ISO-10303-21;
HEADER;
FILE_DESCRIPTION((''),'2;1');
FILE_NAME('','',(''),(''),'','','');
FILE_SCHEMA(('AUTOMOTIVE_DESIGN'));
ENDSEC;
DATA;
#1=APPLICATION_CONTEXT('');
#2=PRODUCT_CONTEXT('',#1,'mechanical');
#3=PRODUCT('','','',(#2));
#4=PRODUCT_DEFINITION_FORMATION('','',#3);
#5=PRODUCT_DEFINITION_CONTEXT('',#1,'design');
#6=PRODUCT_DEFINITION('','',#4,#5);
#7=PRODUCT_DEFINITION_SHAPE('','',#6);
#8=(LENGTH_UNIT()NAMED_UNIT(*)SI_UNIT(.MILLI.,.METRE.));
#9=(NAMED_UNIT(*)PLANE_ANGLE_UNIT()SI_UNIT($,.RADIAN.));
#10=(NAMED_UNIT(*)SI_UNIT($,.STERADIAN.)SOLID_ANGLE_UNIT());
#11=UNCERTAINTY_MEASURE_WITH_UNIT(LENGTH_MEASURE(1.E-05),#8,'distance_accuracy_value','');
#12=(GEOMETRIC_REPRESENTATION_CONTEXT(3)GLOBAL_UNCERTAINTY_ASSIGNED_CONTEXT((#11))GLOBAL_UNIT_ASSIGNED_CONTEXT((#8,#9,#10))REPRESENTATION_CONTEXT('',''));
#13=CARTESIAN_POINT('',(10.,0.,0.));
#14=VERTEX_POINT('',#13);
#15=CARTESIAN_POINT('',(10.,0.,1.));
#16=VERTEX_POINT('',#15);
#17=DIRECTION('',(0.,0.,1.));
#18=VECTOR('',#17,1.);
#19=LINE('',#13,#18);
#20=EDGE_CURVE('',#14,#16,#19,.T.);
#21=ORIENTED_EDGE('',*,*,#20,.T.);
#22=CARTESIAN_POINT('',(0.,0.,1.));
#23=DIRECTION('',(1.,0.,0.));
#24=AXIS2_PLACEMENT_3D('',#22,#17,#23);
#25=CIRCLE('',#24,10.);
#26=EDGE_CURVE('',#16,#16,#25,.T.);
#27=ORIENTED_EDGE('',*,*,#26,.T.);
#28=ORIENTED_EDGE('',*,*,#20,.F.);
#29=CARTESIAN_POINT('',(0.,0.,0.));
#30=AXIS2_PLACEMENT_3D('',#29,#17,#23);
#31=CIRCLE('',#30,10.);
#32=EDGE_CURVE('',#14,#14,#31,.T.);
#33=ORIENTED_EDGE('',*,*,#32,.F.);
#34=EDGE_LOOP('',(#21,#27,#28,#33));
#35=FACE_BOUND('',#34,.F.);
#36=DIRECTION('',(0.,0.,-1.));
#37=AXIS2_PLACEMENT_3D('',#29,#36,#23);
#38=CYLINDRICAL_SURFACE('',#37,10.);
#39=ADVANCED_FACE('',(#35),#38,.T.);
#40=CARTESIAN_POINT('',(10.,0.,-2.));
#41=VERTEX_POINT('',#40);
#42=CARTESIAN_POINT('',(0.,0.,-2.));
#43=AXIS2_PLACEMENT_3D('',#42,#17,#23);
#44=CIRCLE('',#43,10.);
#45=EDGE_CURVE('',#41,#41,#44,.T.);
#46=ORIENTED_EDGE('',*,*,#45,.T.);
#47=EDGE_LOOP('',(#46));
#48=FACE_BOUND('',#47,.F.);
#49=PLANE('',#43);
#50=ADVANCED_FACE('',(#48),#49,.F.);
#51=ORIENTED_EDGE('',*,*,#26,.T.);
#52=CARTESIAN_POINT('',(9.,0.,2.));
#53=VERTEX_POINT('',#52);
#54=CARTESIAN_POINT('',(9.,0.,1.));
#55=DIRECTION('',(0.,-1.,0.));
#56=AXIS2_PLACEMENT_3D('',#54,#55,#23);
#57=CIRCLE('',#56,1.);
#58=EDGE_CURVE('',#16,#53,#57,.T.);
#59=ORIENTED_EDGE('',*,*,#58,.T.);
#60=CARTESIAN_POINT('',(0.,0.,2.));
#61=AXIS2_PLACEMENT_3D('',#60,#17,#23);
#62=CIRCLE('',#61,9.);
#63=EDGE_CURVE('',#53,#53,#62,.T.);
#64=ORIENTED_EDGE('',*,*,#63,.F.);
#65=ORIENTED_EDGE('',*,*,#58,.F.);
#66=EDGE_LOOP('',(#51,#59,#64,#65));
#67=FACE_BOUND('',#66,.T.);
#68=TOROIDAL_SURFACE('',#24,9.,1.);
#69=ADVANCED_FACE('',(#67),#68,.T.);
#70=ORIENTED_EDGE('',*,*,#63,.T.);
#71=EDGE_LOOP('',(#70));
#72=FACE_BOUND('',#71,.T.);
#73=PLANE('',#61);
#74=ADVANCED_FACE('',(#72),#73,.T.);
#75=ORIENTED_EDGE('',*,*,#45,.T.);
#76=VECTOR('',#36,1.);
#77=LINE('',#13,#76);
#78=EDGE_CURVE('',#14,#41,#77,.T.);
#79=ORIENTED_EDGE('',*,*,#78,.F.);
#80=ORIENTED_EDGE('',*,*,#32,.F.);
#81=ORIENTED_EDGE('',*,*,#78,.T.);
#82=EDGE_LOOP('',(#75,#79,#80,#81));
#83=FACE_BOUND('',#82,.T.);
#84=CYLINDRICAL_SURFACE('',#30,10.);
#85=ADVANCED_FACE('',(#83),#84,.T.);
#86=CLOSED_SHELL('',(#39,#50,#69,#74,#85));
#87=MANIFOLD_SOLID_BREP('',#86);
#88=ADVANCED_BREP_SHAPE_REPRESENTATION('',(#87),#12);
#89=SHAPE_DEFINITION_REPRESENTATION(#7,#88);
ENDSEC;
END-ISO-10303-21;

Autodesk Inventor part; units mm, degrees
ref_plane "YZ Plane" through (0, 0, 0) normal (1, 0, 0) x (0, 1, 0)
ref_plane "XZ Plane" through (0, 0, 0) normal (0, 1, 0) x (-1, 0, 0)
ref_plane "XY Plane" through (0, 0, 0) normal (0, 0, 1) x (1, 0, 0)
sketch "Sketch1" plane through (0, 0, 0) normal (0, 0, 1) x (1, 0, 0)
  circle A0 centre (0, 0) radius 10
  dimension "d0" = 20
extrude "Extrusion1" add sketch "Sketch1" along normal mid plane 4
fillet "Fillet1" radius 1 1 edges at (-10, 0, 2)
properties part number "Brikker_3DPrint"
